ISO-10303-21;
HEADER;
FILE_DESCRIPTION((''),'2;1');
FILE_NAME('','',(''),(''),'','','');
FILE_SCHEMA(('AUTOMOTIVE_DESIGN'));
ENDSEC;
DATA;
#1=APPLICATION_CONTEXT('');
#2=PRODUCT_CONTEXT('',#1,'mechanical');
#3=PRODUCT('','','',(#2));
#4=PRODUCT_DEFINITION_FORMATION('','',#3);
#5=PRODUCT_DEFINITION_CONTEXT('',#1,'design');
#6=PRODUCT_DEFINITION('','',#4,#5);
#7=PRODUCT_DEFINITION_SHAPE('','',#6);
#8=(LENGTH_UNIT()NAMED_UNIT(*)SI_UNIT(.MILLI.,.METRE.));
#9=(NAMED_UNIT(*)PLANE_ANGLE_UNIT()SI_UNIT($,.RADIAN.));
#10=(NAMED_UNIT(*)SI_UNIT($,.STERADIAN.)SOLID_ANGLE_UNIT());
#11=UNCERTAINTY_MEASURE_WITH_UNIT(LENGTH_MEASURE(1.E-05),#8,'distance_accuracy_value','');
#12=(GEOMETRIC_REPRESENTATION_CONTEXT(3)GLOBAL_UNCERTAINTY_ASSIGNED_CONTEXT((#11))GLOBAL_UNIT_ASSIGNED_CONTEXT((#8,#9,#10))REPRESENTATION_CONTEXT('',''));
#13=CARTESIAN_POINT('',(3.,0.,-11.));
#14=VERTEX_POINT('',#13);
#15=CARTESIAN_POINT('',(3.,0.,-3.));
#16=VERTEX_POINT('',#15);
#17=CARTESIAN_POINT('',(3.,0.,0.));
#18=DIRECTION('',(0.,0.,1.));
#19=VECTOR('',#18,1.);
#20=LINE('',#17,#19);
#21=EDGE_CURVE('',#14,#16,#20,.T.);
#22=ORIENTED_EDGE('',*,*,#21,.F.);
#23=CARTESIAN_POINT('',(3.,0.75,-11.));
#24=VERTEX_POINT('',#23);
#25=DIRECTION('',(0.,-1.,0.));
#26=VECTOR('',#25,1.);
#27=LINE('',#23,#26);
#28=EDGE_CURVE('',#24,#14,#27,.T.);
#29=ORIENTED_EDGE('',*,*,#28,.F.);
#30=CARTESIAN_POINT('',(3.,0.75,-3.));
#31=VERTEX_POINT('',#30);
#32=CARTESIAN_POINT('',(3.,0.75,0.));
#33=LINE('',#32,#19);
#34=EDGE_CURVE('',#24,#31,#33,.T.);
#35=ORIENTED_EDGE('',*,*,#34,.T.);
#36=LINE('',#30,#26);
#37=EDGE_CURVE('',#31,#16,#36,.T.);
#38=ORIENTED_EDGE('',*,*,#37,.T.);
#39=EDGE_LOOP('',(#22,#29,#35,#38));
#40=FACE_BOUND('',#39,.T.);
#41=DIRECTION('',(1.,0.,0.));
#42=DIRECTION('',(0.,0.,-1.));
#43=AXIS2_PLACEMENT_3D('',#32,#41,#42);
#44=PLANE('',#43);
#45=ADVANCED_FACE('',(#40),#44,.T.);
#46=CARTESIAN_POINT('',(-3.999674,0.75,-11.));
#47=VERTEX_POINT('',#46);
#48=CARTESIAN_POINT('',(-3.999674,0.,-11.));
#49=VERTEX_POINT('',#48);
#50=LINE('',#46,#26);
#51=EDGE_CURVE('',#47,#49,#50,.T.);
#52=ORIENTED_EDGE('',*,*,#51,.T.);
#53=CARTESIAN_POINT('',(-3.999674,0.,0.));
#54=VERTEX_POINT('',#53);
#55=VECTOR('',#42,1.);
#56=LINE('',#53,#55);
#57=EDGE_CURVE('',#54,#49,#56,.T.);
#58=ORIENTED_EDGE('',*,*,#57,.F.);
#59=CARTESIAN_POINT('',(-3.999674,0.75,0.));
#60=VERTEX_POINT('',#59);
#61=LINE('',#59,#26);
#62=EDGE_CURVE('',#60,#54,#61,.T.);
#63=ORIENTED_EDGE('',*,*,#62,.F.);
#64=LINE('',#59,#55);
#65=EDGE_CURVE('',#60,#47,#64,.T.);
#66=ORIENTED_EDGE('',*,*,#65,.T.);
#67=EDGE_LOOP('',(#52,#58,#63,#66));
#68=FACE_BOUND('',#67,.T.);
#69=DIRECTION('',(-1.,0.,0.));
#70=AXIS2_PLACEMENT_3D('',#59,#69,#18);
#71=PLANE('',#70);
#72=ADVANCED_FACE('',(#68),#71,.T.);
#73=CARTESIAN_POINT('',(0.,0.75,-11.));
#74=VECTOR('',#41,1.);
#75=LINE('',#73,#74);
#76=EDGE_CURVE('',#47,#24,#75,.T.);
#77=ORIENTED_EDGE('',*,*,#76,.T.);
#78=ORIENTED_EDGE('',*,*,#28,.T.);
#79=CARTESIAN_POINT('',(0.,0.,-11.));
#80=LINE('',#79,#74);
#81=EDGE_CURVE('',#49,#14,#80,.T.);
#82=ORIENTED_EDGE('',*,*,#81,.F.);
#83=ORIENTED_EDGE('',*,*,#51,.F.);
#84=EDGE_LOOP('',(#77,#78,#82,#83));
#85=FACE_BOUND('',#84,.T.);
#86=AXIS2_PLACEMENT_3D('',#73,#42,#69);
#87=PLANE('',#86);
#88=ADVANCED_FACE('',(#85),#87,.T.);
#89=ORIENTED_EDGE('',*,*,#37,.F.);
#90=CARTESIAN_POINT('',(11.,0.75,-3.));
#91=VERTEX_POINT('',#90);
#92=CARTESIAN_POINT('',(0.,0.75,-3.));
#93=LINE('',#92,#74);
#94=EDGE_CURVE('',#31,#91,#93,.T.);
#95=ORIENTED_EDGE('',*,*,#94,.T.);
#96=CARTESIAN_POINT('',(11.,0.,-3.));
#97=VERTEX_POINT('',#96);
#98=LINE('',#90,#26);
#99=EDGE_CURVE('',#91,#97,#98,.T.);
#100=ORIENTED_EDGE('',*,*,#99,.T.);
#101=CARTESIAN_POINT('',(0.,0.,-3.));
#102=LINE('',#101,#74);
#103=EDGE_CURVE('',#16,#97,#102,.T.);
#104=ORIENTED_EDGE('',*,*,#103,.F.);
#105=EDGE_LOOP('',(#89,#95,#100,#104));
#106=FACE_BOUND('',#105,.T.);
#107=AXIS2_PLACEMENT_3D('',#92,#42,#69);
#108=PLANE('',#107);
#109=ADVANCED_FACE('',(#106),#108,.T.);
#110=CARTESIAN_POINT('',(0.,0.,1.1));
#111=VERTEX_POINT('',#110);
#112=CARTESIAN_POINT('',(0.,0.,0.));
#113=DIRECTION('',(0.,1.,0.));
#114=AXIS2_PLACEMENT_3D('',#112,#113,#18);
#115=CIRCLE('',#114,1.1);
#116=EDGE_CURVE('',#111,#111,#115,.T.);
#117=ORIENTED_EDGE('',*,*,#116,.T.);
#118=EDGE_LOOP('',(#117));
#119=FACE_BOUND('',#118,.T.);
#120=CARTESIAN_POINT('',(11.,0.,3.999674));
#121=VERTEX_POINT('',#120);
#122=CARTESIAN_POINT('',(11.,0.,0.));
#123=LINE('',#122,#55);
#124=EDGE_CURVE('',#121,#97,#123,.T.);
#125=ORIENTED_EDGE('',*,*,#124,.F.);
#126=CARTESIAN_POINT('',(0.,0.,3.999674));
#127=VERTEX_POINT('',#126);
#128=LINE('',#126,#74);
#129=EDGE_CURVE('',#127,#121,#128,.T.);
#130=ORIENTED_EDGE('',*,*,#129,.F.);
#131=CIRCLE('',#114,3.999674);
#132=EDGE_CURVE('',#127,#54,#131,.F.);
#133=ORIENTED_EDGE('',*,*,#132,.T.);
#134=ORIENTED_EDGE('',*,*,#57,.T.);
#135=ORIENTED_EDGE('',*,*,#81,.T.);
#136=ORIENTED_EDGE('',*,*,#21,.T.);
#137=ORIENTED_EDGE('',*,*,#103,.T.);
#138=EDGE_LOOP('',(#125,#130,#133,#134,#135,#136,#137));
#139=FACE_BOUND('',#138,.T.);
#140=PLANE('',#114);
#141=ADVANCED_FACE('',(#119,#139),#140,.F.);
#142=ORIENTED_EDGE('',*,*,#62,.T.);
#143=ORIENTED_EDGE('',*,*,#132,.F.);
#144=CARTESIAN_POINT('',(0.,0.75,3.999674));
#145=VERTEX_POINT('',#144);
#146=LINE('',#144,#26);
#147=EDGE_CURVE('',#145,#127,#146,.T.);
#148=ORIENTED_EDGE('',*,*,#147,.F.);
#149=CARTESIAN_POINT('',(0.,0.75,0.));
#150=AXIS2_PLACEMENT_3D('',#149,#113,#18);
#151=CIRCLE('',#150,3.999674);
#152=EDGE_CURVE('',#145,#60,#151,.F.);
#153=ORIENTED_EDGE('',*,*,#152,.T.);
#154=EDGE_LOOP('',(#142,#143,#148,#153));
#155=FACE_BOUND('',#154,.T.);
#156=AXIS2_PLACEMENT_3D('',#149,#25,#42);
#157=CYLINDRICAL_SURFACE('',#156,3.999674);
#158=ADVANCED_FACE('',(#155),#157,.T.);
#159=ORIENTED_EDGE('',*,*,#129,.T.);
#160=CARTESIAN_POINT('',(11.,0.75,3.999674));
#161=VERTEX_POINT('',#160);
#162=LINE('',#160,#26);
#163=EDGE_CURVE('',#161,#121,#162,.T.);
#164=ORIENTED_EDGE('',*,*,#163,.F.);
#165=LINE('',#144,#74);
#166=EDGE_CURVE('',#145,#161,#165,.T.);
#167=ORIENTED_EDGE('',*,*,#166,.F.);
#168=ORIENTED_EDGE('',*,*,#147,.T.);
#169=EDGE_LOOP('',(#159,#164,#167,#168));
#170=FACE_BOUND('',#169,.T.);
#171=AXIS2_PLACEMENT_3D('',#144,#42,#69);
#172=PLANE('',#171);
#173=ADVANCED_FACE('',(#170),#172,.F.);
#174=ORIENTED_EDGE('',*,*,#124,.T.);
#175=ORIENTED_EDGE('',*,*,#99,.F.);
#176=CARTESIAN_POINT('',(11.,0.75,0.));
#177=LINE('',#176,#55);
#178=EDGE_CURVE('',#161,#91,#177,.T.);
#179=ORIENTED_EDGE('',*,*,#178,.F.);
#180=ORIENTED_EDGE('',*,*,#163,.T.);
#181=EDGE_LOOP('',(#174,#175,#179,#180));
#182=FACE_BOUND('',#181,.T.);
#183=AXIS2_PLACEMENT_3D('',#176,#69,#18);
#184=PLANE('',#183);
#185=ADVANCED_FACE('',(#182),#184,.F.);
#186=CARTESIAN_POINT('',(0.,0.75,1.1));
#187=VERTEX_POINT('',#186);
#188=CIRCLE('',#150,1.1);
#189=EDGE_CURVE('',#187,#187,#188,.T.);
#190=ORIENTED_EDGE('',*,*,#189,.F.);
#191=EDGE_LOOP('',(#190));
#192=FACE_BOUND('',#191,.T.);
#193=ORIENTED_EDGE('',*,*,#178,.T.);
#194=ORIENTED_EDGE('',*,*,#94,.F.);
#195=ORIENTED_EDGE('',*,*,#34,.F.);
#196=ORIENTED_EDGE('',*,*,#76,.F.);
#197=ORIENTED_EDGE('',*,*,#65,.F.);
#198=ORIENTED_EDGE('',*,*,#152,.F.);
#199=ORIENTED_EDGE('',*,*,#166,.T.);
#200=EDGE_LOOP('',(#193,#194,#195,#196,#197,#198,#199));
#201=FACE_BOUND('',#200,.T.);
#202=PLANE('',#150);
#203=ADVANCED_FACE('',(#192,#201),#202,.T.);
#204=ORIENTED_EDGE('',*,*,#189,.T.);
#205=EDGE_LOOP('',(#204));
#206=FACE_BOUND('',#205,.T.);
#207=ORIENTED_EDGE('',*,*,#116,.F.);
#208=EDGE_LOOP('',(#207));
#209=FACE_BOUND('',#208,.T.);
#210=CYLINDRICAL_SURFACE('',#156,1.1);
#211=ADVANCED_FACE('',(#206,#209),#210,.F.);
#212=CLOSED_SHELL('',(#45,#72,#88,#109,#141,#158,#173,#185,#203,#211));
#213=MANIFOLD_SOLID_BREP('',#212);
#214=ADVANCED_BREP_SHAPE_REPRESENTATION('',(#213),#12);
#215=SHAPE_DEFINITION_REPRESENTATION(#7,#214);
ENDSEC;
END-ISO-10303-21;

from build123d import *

# Parameters (mm, degrees)
SKETCH1_R           = 1.1
BOSS_EXTRUDE1_DEPTH = 0.75


with BuildPart() as part:
    # Sketch1 → Boss-Extrude1 (new body)
    with BuildSketch(Plane(origin=(0, 0, 0), x_dir=(1, 0, 0), z_dir=(0, 1, 0))):
        with BuildLine():
            Line((11, -3.99967418), (11, 3))
            Line((11, 3), (3, 3))
            Line((3, 3), (3, 11))
            Line((3, 11), (-3.99967418, 11))
            Line((-3.99967418, 11), (-3.99967418, 0))
            ThreePointArc((-3.99967418, 0), (-2.828196736, -2.828196736), (0, -3.99967418))
            Line((0, -3.99967418), (11, -3.99967418))
        make_face()
        with Locations(Location((0, 0, 0), (0, 0, 270))):
            Circle(SKETCH1_R, mode=Mode.SUBTRACT)
    extrude(amount=BOSS_EXTRUDE1_DEPTH)


solid = part.part
